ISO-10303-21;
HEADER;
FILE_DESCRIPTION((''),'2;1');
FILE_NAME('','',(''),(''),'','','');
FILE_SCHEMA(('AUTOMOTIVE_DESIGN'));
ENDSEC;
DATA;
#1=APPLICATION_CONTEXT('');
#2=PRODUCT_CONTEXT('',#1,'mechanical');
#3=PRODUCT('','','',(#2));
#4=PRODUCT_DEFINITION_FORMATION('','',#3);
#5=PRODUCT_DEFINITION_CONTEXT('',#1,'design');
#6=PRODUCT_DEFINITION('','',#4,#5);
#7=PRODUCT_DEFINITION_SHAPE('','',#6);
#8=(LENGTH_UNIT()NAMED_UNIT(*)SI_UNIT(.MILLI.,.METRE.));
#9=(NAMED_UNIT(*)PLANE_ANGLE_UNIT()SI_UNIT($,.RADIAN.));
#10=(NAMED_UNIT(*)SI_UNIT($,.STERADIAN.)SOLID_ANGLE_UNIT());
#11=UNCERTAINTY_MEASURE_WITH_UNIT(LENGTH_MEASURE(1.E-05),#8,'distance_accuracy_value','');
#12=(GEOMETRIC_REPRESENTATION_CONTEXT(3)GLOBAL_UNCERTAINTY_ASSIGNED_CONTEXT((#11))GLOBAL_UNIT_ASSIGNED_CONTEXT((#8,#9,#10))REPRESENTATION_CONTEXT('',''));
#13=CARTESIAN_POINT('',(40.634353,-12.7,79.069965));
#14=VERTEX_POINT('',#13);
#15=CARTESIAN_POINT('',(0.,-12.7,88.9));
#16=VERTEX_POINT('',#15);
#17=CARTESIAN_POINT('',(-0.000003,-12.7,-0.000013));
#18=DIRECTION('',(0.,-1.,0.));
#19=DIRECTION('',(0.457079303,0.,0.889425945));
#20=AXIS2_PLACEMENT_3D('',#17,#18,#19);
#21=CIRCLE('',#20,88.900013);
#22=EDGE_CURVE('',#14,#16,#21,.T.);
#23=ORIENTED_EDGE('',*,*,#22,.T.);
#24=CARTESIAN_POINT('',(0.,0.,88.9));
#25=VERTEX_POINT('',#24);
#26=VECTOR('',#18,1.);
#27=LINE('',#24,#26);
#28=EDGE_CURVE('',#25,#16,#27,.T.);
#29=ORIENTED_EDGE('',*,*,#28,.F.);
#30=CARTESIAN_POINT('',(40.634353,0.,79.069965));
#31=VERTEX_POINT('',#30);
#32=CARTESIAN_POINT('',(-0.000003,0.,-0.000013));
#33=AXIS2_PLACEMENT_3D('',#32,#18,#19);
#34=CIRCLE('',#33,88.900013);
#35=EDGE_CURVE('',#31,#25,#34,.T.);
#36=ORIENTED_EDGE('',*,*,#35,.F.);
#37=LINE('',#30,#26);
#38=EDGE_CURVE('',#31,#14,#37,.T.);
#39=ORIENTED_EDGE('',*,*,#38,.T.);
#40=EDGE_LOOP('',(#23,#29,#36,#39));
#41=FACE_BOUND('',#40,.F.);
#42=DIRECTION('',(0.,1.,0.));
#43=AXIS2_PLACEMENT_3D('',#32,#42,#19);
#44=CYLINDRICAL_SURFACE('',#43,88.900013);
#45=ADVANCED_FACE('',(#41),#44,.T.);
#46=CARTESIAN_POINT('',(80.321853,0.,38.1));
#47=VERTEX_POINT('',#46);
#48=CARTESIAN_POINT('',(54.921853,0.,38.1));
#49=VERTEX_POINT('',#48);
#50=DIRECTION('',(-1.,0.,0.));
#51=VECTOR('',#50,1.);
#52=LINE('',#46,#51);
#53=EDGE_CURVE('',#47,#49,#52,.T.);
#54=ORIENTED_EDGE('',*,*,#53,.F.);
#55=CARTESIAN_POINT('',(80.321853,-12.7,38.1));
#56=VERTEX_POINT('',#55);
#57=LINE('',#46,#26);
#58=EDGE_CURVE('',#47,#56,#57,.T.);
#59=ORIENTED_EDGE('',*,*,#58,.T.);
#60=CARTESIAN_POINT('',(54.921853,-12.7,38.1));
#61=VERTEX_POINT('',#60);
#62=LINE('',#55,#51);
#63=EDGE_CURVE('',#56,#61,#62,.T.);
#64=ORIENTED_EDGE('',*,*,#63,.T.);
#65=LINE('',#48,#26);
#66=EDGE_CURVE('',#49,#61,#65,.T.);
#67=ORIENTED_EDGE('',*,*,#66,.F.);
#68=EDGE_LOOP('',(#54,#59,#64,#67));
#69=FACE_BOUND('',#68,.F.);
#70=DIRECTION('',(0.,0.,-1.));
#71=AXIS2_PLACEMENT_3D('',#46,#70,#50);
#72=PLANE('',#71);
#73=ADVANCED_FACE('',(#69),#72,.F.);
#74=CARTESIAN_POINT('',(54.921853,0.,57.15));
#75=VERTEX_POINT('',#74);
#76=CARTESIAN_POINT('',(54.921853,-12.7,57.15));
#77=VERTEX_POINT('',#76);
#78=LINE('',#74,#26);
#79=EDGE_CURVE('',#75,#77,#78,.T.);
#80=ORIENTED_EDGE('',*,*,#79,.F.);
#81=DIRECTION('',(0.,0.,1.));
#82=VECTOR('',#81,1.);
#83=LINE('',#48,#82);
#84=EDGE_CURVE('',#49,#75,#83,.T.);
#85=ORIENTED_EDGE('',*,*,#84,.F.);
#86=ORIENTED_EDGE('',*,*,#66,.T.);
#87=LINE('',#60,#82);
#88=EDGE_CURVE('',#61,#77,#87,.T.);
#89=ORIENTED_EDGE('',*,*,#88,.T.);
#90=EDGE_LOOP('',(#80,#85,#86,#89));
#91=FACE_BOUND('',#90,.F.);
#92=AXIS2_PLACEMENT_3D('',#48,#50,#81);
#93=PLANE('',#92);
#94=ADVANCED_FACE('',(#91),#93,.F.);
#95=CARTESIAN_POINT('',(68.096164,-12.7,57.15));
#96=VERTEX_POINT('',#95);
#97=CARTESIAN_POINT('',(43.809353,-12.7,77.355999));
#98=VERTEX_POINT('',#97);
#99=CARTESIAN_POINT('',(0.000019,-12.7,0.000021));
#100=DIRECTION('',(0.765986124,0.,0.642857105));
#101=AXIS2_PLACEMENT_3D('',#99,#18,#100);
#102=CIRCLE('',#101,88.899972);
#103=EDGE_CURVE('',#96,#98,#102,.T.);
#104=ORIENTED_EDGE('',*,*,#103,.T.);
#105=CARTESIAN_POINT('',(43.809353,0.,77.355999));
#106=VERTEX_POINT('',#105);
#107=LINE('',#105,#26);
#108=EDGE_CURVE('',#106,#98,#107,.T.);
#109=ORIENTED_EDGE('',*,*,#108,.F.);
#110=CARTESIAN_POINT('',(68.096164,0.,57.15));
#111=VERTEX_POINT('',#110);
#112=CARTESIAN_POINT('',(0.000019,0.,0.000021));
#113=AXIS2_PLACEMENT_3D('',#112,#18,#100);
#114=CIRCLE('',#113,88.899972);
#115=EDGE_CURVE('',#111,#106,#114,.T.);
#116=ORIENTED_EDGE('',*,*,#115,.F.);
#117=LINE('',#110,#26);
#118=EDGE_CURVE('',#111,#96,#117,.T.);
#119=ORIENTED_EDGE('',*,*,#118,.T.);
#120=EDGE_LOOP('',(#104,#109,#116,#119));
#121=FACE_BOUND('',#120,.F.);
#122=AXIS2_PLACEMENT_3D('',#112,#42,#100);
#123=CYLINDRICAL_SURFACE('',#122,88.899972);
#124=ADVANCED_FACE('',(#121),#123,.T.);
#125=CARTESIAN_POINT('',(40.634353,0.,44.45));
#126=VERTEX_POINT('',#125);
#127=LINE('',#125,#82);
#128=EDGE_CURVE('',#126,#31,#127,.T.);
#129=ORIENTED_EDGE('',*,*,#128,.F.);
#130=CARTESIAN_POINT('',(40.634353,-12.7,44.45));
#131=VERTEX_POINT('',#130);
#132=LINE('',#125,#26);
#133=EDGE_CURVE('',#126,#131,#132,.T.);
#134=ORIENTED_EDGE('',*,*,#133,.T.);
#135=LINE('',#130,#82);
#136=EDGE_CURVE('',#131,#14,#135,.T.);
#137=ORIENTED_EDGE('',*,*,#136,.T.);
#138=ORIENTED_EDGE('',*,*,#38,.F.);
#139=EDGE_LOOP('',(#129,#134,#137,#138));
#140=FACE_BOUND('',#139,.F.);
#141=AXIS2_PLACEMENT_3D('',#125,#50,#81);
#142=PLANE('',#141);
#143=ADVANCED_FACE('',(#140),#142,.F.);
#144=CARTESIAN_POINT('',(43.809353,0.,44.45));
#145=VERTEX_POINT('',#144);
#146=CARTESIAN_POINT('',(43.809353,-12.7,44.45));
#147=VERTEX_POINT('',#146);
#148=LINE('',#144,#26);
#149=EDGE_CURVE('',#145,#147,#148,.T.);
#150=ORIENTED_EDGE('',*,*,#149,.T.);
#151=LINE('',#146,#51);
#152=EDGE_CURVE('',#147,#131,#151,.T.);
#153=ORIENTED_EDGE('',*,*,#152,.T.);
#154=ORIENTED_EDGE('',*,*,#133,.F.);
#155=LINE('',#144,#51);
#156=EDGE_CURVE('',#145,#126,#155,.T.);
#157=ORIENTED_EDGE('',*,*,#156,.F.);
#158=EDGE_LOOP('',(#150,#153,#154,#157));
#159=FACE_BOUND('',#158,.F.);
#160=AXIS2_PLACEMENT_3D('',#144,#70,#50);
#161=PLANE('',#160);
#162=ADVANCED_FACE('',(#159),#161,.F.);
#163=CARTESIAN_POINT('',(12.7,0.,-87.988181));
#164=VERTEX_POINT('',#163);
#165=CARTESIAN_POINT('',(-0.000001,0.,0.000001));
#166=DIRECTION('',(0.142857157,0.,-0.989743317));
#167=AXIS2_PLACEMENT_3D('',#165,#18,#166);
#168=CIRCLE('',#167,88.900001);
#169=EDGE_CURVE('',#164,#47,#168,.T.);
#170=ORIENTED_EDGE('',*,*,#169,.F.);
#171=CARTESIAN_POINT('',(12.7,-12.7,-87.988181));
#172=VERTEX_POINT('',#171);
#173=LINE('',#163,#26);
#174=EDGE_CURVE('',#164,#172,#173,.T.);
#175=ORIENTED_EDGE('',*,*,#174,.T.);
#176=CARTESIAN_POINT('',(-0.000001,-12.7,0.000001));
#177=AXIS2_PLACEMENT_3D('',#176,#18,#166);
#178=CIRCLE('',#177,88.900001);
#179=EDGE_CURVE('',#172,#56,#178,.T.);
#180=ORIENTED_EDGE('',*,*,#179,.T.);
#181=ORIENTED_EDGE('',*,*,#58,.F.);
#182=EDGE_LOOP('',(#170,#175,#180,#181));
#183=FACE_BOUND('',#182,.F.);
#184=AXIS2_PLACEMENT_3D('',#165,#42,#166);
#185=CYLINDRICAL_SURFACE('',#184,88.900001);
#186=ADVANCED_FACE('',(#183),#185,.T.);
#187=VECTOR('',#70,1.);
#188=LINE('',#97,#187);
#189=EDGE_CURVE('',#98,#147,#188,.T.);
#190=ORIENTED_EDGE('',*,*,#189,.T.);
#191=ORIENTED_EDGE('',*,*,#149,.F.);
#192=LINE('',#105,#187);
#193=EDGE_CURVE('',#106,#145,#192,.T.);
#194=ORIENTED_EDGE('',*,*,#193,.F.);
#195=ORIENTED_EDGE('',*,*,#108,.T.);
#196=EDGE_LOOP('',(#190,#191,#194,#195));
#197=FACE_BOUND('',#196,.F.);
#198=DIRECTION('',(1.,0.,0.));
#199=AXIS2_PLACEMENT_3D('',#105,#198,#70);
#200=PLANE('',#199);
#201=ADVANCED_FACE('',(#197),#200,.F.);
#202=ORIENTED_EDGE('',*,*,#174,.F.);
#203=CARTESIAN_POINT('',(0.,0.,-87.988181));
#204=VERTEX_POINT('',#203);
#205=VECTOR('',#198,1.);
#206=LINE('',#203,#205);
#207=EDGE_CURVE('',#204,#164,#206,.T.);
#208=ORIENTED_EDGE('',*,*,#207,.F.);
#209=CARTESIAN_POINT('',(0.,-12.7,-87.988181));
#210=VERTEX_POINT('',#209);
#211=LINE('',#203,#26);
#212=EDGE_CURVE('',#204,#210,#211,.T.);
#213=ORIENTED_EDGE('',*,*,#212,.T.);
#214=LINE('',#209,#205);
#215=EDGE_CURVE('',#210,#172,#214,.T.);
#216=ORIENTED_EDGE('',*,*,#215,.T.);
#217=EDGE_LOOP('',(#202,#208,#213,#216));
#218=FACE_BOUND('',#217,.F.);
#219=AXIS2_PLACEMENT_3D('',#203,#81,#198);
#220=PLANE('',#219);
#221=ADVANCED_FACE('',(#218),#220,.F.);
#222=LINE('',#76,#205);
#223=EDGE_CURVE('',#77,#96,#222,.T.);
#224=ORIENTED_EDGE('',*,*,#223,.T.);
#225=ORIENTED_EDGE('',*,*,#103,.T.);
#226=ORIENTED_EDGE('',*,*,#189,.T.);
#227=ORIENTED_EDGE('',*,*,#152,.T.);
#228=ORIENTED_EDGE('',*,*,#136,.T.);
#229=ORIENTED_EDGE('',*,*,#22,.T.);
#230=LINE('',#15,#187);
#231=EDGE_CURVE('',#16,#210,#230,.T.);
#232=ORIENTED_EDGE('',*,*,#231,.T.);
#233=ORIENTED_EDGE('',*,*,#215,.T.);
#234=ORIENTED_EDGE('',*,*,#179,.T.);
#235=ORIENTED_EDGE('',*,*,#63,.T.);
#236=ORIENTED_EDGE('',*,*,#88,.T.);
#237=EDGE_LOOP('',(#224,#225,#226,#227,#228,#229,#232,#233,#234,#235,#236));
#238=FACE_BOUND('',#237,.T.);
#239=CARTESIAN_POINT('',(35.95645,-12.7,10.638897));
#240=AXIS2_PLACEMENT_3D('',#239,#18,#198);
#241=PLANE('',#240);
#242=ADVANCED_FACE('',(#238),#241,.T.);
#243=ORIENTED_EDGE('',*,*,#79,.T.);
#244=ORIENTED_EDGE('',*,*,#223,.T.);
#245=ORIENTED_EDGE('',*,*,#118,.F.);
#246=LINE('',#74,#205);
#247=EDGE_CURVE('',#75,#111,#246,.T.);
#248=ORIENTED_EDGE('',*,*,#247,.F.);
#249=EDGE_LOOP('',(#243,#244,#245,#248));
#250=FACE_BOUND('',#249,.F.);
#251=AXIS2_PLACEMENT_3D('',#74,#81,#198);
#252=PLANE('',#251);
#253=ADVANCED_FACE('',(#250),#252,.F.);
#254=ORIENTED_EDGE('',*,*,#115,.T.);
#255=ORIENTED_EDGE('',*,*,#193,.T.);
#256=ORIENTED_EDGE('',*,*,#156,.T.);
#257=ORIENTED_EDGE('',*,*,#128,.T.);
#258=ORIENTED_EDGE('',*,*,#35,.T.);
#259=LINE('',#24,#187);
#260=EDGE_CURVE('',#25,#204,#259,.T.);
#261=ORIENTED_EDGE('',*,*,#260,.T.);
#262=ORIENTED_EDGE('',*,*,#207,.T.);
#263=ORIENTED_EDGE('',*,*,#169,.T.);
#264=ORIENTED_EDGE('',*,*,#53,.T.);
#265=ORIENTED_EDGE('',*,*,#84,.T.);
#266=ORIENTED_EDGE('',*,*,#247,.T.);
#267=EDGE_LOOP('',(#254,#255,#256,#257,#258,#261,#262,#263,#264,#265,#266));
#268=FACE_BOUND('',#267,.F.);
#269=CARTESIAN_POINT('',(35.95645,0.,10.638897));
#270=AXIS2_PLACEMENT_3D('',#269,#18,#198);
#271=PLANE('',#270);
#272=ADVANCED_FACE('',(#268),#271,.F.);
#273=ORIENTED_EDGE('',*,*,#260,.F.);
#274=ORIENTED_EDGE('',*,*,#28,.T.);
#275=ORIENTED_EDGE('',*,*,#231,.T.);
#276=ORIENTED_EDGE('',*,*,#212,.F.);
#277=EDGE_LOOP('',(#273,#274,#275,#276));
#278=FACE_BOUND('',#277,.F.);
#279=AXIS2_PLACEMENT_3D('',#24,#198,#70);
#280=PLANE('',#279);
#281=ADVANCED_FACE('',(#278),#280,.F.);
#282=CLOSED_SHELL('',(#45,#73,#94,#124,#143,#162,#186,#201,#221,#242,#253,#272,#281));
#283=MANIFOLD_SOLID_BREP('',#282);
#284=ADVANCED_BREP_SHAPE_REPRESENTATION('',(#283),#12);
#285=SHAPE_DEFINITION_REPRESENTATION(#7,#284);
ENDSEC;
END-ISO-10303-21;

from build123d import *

# Parameters (mm, degrees)
F1_DEPTH = 12.7


with BuildPart() as f1:
    # F0 (on Front) → F1 (new body)
    with BuildSketch(Plane.XZ):
        with BuildLine():
            ThreePointArc((40.634353, 79.069965), (20.903231, 86.407551), (0, 88.9))
            Line((0, 88.9), (0, -87.988181))
            Line((0, -87.988181), (12.7, -87.988181))
            ThreePointArc((12.7, -87.988181), (78.344263, -42.016501), (80.321853, 38.1))
            Line((80.321853, 38.1), (54.921853, 38.1))
            Line((54.921853, 38.1), (54.921853, 57.15))
            Line((54.921853, 57.15), (68.096164, 57.15))
            ThreePointArc((68.096164, 57.15), (56.857557, 68.340532), (43.809353, 77.355999))
            Line((43.809353, 77.355999), (43.809353, 44.45))
            Line((43.809353, 44.45), (40.634353, 44.45))
            Line((40.634353, 44.45), (40.634353, 79.069965))
        make_face()
    extrude(amount=F1_DEPTH)


solid = f1.part
